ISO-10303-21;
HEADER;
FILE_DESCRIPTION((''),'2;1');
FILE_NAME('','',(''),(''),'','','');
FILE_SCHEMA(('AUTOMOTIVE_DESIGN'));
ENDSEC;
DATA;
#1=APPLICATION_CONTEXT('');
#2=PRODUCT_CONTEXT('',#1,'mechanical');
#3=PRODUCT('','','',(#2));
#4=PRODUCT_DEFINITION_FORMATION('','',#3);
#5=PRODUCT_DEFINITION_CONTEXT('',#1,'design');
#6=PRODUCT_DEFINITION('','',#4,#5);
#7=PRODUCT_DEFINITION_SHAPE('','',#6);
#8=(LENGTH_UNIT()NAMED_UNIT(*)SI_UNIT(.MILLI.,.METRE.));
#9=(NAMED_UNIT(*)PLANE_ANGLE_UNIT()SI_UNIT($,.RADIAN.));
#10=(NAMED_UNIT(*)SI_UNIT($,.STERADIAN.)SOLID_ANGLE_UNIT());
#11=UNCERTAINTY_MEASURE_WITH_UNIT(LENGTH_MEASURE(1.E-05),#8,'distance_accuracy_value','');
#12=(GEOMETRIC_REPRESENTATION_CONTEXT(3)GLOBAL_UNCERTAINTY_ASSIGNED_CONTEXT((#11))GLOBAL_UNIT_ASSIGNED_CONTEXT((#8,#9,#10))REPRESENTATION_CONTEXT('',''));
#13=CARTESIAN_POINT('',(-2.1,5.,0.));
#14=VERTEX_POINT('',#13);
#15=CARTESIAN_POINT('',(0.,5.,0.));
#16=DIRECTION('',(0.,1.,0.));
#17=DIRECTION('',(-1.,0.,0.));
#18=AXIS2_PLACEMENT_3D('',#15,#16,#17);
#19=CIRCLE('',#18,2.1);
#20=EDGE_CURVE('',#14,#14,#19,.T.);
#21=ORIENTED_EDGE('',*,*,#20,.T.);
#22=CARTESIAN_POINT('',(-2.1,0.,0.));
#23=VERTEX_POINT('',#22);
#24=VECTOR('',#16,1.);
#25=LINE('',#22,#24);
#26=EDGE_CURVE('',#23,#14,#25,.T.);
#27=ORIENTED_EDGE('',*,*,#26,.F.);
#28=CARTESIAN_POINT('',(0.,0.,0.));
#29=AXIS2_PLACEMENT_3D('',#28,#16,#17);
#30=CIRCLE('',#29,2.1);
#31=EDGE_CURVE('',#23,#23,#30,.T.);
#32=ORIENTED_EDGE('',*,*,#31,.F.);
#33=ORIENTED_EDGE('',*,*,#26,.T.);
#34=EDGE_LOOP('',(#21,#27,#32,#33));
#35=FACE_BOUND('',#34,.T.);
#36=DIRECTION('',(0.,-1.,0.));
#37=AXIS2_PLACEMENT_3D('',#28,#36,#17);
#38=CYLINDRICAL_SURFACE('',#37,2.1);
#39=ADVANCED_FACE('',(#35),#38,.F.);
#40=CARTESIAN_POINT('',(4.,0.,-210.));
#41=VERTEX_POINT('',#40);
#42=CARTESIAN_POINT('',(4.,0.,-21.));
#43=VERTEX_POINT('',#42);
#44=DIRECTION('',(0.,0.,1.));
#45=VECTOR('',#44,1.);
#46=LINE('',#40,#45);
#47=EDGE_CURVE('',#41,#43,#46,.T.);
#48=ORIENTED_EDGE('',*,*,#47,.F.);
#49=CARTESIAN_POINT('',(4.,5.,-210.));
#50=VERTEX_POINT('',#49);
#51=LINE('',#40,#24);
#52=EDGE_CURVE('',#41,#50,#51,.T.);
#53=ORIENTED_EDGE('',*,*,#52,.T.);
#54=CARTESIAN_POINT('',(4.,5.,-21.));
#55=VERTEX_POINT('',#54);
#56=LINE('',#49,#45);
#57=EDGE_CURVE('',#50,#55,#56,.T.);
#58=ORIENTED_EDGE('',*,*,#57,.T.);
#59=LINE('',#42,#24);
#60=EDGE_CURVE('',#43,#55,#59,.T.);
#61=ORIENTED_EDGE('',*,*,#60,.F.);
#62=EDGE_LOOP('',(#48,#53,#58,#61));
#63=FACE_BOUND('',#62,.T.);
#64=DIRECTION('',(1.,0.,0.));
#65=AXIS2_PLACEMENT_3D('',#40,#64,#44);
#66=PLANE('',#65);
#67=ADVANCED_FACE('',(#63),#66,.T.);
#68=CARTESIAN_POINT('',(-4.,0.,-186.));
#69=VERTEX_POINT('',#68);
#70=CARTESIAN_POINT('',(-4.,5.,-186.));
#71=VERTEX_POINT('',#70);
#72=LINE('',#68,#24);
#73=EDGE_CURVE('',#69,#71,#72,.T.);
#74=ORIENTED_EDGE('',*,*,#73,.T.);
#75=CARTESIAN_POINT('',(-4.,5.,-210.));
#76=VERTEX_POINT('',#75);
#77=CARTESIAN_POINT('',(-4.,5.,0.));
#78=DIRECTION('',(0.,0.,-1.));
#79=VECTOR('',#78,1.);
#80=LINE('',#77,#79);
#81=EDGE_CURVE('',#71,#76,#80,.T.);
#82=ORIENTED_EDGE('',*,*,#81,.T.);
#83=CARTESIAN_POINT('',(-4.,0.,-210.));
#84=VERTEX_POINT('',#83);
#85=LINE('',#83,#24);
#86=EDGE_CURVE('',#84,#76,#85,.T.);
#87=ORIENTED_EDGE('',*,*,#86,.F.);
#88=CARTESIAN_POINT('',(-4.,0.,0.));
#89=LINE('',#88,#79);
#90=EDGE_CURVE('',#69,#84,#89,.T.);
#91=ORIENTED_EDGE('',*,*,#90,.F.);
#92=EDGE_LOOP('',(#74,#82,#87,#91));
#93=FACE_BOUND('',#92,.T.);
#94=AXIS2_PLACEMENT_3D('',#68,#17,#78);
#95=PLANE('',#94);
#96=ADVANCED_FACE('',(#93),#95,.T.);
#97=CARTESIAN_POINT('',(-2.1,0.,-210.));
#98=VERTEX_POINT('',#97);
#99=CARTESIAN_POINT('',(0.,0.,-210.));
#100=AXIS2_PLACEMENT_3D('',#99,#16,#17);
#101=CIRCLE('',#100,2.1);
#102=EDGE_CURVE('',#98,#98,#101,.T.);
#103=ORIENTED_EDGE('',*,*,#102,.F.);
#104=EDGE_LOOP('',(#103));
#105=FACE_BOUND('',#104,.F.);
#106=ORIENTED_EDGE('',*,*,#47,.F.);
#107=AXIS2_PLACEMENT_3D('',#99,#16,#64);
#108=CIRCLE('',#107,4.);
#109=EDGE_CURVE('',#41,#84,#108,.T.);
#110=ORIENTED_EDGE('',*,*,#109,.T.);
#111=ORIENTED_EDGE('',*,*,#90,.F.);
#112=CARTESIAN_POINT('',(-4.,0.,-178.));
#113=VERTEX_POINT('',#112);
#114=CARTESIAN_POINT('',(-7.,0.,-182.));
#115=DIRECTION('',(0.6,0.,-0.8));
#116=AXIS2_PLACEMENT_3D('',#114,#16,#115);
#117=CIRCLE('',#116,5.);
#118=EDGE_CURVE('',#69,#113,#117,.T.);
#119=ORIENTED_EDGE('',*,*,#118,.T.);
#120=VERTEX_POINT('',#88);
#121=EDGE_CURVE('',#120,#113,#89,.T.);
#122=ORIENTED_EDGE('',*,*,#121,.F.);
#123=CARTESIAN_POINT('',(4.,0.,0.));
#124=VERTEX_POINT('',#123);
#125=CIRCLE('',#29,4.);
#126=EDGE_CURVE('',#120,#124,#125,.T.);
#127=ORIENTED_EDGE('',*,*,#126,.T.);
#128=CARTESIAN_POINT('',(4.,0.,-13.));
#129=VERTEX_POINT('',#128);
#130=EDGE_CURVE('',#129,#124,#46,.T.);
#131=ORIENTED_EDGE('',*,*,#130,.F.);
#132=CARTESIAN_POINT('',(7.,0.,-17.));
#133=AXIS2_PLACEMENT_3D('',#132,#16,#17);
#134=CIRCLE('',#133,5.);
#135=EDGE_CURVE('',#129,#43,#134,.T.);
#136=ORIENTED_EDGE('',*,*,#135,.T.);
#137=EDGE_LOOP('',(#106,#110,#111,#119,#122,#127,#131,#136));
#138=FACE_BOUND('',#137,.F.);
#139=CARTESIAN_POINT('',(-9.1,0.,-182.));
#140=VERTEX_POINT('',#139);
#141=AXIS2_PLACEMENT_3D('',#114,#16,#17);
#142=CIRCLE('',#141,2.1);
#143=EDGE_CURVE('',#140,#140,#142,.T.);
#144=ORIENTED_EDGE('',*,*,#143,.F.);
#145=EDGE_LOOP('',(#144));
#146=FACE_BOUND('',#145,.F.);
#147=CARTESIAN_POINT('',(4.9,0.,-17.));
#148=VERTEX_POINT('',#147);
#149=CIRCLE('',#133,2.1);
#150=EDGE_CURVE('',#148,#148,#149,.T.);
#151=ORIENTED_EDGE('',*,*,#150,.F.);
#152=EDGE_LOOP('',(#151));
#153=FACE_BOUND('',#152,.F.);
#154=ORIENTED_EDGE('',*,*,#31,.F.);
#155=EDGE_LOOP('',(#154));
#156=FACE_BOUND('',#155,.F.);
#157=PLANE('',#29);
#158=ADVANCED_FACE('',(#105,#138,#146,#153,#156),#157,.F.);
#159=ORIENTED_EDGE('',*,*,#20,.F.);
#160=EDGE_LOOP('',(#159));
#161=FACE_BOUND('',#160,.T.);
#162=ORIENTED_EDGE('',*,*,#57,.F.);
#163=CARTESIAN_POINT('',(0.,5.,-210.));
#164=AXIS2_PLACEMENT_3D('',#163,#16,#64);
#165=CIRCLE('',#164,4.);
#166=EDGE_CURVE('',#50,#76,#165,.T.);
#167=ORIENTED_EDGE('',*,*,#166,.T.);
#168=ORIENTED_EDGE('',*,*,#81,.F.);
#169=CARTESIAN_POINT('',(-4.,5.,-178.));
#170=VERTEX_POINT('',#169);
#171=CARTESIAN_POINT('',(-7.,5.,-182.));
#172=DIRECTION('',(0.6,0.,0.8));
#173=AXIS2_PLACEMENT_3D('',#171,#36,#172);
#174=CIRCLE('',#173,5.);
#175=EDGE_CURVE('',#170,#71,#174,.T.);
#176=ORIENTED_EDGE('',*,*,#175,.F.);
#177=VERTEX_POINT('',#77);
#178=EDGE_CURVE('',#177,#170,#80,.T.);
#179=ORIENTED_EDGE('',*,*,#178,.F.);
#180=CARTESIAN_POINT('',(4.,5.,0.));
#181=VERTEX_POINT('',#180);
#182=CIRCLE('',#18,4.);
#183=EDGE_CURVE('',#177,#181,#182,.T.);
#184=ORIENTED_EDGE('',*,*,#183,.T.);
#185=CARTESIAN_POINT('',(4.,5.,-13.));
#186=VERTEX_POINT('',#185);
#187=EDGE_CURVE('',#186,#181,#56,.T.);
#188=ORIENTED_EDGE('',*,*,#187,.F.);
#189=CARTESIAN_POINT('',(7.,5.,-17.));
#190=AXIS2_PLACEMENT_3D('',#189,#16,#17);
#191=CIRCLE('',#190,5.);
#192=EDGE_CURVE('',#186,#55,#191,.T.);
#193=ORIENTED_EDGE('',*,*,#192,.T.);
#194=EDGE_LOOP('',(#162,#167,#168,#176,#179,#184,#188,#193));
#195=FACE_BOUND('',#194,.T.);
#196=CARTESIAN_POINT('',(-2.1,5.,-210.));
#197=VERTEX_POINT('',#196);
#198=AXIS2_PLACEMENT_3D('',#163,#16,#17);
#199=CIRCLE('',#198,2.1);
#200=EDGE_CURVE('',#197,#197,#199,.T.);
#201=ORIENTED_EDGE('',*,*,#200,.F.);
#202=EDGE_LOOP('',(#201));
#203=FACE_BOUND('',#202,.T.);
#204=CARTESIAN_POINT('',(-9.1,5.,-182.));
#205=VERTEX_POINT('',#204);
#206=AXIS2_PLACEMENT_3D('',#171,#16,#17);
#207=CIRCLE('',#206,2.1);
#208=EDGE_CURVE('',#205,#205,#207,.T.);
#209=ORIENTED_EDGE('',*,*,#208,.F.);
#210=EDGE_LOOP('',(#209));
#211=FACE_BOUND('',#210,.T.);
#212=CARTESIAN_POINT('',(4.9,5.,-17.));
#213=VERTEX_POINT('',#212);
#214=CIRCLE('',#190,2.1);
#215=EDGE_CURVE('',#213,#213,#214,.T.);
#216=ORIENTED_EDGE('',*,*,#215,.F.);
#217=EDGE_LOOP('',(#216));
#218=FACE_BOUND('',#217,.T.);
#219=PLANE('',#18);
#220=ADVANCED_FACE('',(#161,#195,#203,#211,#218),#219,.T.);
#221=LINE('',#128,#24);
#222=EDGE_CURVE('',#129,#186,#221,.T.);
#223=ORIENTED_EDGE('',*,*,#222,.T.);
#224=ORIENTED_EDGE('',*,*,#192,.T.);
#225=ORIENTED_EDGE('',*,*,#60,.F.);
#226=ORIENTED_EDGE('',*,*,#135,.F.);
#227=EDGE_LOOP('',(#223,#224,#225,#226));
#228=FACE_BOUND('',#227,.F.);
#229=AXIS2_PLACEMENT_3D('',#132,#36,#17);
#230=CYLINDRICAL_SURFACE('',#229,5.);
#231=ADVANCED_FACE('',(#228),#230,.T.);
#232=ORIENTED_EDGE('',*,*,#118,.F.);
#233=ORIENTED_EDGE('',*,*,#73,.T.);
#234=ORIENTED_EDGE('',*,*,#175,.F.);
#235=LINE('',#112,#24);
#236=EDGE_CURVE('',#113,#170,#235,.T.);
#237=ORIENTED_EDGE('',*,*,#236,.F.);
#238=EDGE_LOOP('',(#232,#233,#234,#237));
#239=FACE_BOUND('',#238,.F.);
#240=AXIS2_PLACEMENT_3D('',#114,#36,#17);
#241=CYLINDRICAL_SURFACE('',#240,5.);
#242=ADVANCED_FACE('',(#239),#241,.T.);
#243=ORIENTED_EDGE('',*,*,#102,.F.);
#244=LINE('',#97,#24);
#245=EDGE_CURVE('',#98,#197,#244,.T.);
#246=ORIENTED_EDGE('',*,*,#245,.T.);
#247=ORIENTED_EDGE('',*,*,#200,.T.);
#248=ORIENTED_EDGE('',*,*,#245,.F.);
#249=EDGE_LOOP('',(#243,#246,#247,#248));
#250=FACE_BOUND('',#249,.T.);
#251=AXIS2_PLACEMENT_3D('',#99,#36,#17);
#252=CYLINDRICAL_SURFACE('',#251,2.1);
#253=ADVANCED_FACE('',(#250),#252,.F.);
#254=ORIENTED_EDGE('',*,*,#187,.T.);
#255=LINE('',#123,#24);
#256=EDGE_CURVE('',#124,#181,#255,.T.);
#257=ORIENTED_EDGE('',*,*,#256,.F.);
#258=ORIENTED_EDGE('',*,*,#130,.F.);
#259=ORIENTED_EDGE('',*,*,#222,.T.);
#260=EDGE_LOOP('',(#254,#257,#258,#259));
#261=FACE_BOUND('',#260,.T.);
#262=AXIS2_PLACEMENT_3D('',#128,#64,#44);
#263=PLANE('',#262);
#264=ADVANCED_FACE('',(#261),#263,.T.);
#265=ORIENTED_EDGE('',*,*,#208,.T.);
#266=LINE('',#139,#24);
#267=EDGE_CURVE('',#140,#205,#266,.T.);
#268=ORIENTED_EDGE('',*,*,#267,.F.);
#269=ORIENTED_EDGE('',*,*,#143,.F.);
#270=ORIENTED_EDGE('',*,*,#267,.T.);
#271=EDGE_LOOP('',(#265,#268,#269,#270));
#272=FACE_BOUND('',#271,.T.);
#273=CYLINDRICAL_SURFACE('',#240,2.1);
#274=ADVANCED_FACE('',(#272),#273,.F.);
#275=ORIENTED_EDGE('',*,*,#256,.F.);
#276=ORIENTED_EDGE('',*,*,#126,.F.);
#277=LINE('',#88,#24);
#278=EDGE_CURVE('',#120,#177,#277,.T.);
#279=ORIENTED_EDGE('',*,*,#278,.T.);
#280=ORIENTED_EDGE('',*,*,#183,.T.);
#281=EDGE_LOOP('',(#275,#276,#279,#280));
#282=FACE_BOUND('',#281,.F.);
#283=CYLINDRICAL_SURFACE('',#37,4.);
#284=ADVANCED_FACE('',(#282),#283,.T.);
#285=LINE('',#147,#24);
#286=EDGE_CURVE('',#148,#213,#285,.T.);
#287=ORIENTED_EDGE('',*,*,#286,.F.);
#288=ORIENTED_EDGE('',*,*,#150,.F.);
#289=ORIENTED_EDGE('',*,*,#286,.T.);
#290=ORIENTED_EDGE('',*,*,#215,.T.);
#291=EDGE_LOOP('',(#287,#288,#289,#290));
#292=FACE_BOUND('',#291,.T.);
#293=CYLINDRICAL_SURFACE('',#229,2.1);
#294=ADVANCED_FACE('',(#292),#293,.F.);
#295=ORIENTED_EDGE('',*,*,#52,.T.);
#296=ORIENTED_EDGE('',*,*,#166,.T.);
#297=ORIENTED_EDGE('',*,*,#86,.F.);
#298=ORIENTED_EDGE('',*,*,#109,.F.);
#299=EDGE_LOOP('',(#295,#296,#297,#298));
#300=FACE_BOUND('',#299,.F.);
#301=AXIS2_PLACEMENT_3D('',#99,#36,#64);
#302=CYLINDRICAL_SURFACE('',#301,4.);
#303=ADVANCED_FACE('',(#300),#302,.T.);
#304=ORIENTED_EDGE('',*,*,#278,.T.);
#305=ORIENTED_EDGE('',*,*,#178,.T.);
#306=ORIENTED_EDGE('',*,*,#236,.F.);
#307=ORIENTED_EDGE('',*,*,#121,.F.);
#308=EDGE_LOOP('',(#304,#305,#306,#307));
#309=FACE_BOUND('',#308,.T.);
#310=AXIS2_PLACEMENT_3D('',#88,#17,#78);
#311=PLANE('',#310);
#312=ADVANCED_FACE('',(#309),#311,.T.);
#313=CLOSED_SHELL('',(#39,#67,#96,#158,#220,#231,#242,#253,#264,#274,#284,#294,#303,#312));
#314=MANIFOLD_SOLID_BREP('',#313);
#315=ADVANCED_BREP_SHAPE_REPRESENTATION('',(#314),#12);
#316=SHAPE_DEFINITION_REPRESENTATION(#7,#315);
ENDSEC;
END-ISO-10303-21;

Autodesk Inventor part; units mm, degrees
ref_plane "YZ Plane" through (0, 0, 0) normal (1, 0, 0) x (0, 1, 0)
ref_plane "XZ Plane" through (0, 0, 0) normal (0, 1, 0) x (-1, 0, 0)
ref_plane "XY Plane" through (0, 0, 0) normal (0, 0, 1) x (1, 0, 0)
sketch "Sketch1" plane through (0, 0, 0) normal (0, 1, 0) x (-1, 0, 0)
  line L0 (0, 0) -> (0, -210) construction
  line L1 (4, 0) -> (4, -210)
  line L2 (-4, -210) -> (-4, 0)
  arc A0 (4, 0) -> (-4, 0) centre (0, 0) ccw
  arc A1 (-4, -210) -> (4, -210) centre (0, -210) ccw
  circle A2 centre (0, 0) radius 2.1
  circle A3 centre (0, -210) radius 2.1
  circle A4 centre (-7, -17) radius 2.1
  circle A5 centre (7, -182) radius 2.1
  circle A6 centre (-7, -17) radius 5
  circle A7 centre (7, -182) radius 5
  point P0 (0, -105)
  point P1 (-4, -13)
  point P2 (-4, -21)
  point P3 (4, -178)
  point P4 (4, -186)
  dimension "d0" = 210
  dimension "d1" = 8
  dimension "d2" = 4.2
  dimension "d3" = 4.2
  dimension "d6" = 4.2
  dimension "d7" = 4.2
  dimension "d8" = 3
  dimension "d9" = 3
  dimension "d10" = 10
  dimension "d11" = 10
  dimension "d12" = 17
  dimension "d13" = 182
extrude "Extrusion1" add sketch "Sketch1" along normal blind 5
